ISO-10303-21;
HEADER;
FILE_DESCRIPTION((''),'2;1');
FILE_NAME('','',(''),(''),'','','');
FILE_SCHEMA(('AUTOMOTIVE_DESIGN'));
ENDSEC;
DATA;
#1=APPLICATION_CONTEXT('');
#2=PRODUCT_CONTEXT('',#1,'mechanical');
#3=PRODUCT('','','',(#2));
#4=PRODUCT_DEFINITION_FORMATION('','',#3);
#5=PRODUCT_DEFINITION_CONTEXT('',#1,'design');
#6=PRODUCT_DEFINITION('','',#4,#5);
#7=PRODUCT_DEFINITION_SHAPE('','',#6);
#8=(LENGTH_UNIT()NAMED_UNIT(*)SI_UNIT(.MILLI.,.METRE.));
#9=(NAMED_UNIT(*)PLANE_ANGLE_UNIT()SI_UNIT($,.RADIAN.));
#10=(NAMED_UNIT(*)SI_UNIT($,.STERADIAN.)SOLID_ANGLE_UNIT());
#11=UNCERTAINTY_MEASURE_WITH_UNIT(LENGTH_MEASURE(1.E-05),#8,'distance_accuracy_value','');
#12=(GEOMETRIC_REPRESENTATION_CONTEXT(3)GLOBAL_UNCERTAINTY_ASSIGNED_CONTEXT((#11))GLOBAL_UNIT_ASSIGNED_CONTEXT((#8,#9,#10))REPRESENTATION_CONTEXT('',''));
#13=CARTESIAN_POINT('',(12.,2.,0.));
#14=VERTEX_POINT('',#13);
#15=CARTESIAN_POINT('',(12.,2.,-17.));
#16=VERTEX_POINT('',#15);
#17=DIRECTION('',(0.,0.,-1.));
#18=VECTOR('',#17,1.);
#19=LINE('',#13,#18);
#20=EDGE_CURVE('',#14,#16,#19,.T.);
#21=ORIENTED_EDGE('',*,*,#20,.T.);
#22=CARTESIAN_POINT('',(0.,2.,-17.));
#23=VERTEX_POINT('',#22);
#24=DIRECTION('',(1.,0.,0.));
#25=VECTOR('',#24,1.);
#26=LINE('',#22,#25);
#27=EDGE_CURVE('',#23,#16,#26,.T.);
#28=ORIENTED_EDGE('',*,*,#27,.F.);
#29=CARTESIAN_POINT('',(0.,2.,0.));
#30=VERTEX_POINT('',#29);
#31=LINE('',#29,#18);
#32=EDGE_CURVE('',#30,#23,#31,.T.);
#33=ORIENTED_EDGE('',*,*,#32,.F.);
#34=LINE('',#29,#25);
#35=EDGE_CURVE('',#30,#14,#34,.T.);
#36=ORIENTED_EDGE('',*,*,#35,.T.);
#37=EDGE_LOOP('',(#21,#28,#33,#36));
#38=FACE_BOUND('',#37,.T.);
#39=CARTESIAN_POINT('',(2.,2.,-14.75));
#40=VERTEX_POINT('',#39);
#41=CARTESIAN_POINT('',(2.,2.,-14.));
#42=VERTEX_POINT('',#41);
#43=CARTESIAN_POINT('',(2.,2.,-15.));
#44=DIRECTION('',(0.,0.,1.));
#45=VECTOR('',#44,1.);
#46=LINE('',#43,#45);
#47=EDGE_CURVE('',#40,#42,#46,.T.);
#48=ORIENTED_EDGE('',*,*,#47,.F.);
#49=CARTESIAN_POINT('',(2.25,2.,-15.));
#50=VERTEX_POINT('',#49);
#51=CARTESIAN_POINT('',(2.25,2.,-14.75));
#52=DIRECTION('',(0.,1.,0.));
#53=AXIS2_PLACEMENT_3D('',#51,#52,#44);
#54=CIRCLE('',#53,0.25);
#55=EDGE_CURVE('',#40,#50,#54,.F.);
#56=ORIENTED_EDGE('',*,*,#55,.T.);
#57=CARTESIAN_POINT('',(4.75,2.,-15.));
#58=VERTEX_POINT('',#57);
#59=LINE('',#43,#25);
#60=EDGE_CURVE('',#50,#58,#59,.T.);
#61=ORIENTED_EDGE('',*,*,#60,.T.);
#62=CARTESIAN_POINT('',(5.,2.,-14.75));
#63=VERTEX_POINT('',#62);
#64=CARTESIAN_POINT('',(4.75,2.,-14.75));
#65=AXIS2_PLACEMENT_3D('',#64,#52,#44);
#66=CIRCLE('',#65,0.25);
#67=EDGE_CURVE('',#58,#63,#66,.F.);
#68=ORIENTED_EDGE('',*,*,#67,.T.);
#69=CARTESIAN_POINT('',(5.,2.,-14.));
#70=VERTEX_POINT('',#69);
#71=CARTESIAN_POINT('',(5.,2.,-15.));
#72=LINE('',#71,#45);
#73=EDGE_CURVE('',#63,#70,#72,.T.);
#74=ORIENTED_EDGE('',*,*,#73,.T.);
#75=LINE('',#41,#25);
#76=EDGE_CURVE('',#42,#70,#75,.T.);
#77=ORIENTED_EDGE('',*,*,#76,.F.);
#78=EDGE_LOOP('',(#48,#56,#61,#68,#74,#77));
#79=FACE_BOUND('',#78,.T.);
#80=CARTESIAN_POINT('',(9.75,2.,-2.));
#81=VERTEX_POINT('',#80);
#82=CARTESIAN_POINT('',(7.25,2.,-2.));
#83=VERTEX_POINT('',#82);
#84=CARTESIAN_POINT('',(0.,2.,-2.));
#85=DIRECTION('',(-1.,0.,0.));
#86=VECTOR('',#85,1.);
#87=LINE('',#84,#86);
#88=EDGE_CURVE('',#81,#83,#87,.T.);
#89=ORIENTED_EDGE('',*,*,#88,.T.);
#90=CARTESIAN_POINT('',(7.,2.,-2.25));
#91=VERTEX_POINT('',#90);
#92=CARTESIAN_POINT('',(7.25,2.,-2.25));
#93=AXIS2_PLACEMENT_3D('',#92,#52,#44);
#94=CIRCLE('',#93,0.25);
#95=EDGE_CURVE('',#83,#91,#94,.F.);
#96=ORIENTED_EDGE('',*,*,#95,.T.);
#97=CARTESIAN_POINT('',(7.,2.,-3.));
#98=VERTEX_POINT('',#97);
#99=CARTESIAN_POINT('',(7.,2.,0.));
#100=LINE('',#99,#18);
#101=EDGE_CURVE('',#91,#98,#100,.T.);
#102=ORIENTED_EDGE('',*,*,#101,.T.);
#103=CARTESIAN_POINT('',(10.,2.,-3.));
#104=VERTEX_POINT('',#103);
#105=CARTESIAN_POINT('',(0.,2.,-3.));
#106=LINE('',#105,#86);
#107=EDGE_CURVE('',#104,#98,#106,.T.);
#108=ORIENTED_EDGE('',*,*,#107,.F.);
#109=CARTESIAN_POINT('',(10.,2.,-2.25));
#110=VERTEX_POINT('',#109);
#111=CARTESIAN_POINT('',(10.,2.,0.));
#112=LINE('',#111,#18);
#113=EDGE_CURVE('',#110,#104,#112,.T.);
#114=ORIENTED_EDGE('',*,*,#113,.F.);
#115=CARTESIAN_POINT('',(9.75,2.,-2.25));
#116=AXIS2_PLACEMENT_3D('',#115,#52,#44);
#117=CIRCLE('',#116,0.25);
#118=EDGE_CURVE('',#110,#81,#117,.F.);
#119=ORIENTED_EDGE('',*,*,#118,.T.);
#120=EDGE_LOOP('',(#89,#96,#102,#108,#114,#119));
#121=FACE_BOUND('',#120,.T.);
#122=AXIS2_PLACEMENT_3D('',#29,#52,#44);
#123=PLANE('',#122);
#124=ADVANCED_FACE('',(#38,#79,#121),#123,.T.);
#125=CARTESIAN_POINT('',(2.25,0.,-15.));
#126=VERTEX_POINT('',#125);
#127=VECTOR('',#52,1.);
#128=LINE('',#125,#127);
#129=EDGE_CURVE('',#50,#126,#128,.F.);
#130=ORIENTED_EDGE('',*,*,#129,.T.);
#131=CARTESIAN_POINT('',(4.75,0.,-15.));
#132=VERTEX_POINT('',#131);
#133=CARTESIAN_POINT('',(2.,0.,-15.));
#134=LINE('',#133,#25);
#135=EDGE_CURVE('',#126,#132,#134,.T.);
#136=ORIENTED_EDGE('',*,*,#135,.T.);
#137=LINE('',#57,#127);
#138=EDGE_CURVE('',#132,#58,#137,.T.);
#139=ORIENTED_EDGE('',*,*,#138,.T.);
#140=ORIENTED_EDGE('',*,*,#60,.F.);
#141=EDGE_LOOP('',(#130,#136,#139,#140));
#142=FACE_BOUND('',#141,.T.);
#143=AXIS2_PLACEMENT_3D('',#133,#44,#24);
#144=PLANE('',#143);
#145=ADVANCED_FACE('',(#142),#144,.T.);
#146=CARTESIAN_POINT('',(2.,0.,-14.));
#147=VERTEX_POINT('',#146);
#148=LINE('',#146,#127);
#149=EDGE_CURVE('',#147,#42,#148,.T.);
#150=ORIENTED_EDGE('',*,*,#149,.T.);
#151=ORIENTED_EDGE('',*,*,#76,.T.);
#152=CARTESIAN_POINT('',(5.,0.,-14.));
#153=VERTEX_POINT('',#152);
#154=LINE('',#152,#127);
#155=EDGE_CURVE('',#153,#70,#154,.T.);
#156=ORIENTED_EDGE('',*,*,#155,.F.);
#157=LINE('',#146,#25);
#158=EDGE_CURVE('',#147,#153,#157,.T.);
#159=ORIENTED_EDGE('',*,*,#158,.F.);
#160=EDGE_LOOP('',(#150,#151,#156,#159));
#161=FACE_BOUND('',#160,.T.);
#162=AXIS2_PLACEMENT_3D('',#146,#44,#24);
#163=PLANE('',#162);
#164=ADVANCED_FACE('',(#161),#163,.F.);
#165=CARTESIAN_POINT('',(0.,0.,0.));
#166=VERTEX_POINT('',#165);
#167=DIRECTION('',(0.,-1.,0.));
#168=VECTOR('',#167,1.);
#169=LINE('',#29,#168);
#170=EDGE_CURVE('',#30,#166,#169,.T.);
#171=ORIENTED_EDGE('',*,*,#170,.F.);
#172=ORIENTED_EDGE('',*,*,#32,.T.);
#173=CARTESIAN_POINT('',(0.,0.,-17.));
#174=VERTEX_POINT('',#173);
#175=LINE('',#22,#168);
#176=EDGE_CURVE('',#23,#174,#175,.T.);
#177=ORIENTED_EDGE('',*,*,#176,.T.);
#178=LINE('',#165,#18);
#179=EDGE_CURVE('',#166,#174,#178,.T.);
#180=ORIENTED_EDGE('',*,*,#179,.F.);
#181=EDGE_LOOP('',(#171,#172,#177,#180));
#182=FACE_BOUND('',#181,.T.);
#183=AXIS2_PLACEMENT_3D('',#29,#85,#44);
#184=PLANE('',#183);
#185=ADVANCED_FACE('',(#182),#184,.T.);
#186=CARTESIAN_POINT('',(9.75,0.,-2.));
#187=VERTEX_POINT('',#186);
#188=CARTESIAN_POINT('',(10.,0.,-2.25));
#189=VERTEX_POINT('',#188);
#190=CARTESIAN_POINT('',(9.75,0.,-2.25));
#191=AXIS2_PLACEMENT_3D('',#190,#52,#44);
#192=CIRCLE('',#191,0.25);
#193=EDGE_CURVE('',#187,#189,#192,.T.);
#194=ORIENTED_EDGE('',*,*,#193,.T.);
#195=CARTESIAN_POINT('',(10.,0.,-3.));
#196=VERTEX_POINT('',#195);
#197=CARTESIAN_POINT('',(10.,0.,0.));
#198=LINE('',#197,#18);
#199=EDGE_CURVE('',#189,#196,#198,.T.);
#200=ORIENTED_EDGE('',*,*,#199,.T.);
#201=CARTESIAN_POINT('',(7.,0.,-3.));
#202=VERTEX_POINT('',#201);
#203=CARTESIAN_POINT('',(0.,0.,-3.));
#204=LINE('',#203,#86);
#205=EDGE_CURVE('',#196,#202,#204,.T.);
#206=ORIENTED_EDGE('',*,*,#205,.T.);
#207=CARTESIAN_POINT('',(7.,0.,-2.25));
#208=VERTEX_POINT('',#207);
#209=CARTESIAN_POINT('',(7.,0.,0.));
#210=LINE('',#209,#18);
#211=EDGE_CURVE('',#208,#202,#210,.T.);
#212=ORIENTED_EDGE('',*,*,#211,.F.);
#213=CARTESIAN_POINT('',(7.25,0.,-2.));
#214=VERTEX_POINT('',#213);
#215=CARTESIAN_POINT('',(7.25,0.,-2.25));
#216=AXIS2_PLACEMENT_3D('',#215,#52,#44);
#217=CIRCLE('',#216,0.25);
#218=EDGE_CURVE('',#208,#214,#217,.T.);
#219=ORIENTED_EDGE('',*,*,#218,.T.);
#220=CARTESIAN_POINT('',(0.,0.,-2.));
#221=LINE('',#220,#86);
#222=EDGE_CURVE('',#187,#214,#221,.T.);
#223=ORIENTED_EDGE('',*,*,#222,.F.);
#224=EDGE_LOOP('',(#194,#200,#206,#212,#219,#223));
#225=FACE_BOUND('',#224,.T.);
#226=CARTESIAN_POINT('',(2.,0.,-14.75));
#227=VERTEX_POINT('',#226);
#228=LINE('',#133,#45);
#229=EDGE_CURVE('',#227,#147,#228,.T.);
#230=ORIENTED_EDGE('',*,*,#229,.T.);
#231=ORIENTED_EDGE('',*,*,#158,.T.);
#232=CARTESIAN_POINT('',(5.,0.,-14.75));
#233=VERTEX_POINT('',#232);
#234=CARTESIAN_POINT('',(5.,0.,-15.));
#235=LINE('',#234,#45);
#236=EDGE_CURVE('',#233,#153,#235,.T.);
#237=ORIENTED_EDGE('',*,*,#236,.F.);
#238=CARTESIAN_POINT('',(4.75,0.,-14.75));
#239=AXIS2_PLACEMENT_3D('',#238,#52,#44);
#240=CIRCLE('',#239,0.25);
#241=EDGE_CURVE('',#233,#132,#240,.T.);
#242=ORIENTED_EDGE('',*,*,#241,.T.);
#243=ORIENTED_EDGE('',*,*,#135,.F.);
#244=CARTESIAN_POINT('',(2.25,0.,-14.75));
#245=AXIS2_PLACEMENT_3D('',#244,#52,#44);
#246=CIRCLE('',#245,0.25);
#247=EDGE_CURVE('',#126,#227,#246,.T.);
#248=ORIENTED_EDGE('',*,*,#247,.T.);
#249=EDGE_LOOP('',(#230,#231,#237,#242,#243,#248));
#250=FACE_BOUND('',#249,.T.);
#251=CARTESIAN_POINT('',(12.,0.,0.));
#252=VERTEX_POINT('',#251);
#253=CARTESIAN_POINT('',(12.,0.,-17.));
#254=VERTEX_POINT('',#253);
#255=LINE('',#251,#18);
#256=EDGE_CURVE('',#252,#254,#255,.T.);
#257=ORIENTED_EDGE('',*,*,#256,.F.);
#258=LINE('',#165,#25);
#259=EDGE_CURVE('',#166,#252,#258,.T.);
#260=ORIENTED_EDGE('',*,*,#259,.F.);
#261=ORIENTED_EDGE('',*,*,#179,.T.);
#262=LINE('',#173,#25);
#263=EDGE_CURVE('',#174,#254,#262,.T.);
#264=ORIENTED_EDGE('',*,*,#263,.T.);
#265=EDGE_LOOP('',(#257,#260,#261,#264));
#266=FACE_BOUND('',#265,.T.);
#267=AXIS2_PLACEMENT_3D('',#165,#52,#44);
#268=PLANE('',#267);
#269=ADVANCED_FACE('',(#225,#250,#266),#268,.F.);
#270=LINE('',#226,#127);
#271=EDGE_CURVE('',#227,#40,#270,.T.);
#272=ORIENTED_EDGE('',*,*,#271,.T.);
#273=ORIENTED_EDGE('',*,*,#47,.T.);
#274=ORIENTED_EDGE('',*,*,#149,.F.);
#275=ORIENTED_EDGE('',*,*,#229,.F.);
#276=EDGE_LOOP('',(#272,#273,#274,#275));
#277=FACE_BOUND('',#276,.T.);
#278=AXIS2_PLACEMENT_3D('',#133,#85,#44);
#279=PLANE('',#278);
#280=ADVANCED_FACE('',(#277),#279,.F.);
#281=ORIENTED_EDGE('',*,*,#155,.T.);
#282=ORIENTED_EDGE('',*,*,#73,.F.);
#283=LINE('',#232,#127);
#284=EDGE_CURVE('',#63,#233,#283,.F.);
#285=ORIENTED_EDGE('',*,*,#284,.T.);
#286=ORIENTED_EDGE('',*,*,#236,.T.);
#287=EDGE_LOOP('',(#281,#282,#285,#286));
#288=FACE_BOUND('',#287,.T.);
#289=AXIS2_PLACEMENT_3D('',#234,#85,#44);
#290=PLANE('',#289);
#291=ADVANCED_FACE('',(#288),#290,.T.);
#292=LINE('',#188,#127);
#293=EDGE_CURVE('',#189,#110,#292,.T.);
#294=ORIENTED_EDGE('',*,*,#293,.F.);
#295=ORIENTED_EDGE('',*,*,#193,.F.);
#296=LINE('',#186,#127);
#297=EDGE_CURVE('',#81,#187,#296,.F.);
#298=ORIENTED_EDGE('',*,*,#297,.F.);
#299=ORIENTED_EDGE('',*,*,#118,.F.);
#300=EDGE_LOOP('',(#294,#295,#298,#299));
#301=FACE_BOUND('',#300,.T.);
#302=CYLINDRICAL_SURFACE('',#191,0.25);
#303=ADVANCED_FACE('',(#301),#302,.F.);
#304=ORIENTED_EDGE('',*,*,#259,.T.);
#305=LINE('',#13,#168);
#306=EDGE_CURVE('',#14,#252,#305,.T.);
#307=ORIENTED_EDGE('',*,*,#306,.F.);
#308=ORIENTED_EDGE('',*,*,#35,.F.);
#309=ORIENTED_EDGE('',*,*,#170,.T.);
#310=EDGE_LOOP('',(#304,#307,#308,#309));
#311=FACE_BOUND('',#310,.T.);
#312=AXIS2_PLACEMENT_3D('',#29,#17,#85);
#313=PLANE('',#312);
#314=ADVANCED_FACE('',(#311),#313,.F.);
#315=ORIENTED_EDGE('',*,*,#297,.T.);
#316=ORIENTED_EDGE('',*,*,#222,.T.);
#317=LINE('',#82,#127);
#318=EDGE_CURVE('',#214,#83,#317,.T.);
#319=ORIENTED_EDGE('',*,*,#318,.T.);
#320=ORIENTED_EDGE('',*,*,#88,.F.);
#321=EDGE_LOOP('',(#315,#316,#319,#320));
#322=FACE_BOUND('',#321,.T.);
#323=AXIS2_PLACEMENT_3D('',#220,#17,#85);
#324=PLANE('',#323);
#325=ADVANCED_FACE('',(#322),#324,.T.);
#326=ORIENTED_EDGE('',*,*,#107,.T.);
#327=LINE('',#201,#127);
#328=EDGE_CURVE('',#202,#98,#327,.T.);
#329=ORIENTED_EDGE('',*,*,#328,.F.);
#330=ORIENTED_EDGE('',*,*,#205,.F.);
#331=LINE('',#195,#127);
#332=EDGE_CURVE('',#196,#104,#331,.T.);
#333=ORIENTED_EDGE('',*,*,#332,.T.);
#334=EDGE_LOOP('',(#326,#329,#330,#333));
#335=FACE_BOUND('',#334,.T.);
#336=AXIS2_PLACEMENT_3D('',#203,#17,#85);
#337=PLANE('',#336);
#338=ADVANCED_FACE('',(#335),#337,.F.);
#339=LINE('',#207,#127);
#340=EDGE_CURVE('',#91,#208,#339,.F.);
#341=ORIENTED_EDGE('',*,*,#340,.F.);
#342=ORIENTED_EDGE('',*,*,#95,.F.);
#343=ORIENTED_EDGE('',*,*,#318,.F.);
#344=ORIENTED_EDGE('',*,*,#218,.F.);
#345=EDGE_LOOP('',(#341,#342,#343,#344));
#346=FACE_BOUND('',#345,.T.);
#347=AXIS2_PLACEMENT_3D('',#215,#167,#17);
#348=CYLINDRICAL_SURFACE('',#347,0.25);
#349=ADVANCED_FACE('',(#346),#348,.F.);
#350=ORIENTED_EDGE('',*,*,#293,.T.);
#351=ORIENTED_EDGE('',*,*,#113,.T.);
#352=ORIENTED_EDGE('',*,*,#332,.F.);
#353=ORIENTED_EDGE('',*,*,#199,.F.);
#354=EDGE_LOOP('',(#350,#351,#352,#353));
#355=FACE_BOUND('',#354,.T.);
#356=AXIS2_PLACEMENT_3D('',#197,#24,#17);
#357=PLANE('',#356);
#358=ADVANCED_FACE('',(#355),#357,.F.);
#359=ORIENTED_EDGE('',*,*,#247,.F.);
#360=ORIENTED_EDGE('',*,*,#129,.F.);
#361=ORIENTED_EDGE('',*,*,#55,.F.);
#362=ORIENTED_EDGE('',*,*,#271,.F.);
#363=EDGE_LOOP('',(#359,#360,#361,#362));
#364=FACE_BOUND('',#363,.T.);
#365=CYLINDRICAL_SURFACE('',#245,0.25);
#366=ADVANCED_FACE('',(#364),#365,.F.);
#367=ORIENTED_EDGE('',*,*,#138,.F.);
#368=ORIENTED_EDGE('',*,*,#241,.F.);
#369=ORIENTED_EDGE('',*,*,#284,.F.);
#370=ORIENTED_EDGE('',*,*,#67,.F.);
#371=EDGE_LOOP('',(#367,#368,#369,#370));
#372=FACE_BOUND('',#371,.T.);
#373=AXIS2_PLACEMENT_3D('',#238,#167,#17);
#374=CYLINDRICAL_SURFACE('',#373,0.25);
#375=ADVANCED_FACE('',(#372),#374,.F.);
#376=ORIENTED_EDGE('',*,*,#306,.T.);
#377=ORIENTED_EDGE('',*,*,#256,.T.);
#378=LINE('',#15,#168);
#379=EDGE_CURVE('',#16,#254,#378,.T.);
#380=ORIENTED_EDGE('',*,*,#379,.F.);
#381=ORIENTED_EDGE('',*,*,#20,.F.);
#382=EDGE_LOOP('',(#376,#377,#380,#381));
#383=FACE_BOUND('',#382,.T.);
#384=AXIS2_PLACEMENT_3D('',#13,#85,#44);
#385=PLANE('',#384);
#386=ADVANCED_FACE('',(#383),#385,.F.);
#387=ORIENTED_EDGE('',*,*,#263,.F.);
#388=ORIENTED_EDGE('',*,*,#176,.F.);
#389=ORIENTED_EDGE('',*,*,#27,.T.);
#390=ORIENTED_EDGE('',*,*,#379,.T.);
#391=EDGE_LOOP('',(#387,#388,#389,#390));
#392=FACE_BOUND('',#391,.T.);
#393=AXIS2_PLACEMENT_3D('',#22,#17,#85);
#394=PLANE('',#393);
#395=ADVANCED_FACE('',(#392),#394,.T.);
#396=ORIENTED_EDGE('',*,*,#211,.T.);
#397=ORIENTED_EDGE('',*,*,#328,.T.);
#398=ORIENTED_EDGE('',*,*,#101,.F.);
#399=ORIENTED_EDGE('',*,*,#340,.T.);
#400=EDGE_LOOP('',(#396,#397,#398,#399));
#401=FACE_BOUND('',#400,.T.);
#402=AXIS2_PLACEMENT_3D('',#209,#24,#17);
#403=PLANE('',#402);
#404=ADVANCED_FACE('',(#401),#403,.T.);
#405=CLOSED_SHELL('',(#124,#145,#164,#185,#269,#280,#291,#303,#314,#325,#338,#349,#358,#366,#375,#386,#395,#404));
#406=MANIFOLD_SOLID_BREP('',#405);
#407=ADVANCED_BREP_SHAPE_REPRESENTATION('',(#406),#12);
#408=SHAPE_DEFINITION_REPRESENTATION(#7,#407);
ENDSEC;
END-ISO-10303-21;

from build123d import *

# Parameters (mm, degrees)
SKIZZE1_W                       = 12
SKIZZE1_H                       = 17
AUFSATZ_LINEAR_AUSTRAGEN1_DEPTH = 2
SKIZZE3_W                       = 3
SKIZZE3_H                       = 1
SCHNITT_LINEAR_AUSTRAGEN1_DEPTH = 3
VERRUNDUNG1_R                   = 0.25


with BuildPart() as part:
    # Skizze1 → Aufsatz-Linear austragen1 (new body)
    with BuildSketch(Plane(origin=(0, 0, 0), x_dir=(1, 0, 0), z_dir=(0, 1, 0))):
        with Locations((6, 8.5)):
            Rectangle(SKIZZE1_W, SKIZZE1_H)
    extrude(amount=AUFSATZ_LINEAR_AUSTRAGEN1_DEPTH)

    # Skizze3 → Schnitt-Linear austragen1 (cut, through all)
    with BuildSketch(Plane(origin=(0, 2, 0), x_dir=(1, 0, 0), z_dir=(0, 1, 0))):
        with Locations((8.5, 2.5)):
            Rectangle(SKIZZE3_W, SKIZZE3_H)
        with Locations((3.5, 14.5)):
            Rectangle(SKIZZE3_W, SKIZZE3_H)
    extrude(amount=-SCHNITT_LINEAR_AUSTRAGEN1_DEPTH, mode=Mode.SUBTRACT)

    # Verrundung1
    verrundung1_edges = [part.edges().sort_by_distance(p)[0] for p in [
        (7, 1, -2),
        (10, 1, -2),
        (2, 1, -15),
        (5, 1, -15),
    ]]
    fillet(verrundung1_edges, radius=VERRUNDUNG1_R)


solid = part.part
